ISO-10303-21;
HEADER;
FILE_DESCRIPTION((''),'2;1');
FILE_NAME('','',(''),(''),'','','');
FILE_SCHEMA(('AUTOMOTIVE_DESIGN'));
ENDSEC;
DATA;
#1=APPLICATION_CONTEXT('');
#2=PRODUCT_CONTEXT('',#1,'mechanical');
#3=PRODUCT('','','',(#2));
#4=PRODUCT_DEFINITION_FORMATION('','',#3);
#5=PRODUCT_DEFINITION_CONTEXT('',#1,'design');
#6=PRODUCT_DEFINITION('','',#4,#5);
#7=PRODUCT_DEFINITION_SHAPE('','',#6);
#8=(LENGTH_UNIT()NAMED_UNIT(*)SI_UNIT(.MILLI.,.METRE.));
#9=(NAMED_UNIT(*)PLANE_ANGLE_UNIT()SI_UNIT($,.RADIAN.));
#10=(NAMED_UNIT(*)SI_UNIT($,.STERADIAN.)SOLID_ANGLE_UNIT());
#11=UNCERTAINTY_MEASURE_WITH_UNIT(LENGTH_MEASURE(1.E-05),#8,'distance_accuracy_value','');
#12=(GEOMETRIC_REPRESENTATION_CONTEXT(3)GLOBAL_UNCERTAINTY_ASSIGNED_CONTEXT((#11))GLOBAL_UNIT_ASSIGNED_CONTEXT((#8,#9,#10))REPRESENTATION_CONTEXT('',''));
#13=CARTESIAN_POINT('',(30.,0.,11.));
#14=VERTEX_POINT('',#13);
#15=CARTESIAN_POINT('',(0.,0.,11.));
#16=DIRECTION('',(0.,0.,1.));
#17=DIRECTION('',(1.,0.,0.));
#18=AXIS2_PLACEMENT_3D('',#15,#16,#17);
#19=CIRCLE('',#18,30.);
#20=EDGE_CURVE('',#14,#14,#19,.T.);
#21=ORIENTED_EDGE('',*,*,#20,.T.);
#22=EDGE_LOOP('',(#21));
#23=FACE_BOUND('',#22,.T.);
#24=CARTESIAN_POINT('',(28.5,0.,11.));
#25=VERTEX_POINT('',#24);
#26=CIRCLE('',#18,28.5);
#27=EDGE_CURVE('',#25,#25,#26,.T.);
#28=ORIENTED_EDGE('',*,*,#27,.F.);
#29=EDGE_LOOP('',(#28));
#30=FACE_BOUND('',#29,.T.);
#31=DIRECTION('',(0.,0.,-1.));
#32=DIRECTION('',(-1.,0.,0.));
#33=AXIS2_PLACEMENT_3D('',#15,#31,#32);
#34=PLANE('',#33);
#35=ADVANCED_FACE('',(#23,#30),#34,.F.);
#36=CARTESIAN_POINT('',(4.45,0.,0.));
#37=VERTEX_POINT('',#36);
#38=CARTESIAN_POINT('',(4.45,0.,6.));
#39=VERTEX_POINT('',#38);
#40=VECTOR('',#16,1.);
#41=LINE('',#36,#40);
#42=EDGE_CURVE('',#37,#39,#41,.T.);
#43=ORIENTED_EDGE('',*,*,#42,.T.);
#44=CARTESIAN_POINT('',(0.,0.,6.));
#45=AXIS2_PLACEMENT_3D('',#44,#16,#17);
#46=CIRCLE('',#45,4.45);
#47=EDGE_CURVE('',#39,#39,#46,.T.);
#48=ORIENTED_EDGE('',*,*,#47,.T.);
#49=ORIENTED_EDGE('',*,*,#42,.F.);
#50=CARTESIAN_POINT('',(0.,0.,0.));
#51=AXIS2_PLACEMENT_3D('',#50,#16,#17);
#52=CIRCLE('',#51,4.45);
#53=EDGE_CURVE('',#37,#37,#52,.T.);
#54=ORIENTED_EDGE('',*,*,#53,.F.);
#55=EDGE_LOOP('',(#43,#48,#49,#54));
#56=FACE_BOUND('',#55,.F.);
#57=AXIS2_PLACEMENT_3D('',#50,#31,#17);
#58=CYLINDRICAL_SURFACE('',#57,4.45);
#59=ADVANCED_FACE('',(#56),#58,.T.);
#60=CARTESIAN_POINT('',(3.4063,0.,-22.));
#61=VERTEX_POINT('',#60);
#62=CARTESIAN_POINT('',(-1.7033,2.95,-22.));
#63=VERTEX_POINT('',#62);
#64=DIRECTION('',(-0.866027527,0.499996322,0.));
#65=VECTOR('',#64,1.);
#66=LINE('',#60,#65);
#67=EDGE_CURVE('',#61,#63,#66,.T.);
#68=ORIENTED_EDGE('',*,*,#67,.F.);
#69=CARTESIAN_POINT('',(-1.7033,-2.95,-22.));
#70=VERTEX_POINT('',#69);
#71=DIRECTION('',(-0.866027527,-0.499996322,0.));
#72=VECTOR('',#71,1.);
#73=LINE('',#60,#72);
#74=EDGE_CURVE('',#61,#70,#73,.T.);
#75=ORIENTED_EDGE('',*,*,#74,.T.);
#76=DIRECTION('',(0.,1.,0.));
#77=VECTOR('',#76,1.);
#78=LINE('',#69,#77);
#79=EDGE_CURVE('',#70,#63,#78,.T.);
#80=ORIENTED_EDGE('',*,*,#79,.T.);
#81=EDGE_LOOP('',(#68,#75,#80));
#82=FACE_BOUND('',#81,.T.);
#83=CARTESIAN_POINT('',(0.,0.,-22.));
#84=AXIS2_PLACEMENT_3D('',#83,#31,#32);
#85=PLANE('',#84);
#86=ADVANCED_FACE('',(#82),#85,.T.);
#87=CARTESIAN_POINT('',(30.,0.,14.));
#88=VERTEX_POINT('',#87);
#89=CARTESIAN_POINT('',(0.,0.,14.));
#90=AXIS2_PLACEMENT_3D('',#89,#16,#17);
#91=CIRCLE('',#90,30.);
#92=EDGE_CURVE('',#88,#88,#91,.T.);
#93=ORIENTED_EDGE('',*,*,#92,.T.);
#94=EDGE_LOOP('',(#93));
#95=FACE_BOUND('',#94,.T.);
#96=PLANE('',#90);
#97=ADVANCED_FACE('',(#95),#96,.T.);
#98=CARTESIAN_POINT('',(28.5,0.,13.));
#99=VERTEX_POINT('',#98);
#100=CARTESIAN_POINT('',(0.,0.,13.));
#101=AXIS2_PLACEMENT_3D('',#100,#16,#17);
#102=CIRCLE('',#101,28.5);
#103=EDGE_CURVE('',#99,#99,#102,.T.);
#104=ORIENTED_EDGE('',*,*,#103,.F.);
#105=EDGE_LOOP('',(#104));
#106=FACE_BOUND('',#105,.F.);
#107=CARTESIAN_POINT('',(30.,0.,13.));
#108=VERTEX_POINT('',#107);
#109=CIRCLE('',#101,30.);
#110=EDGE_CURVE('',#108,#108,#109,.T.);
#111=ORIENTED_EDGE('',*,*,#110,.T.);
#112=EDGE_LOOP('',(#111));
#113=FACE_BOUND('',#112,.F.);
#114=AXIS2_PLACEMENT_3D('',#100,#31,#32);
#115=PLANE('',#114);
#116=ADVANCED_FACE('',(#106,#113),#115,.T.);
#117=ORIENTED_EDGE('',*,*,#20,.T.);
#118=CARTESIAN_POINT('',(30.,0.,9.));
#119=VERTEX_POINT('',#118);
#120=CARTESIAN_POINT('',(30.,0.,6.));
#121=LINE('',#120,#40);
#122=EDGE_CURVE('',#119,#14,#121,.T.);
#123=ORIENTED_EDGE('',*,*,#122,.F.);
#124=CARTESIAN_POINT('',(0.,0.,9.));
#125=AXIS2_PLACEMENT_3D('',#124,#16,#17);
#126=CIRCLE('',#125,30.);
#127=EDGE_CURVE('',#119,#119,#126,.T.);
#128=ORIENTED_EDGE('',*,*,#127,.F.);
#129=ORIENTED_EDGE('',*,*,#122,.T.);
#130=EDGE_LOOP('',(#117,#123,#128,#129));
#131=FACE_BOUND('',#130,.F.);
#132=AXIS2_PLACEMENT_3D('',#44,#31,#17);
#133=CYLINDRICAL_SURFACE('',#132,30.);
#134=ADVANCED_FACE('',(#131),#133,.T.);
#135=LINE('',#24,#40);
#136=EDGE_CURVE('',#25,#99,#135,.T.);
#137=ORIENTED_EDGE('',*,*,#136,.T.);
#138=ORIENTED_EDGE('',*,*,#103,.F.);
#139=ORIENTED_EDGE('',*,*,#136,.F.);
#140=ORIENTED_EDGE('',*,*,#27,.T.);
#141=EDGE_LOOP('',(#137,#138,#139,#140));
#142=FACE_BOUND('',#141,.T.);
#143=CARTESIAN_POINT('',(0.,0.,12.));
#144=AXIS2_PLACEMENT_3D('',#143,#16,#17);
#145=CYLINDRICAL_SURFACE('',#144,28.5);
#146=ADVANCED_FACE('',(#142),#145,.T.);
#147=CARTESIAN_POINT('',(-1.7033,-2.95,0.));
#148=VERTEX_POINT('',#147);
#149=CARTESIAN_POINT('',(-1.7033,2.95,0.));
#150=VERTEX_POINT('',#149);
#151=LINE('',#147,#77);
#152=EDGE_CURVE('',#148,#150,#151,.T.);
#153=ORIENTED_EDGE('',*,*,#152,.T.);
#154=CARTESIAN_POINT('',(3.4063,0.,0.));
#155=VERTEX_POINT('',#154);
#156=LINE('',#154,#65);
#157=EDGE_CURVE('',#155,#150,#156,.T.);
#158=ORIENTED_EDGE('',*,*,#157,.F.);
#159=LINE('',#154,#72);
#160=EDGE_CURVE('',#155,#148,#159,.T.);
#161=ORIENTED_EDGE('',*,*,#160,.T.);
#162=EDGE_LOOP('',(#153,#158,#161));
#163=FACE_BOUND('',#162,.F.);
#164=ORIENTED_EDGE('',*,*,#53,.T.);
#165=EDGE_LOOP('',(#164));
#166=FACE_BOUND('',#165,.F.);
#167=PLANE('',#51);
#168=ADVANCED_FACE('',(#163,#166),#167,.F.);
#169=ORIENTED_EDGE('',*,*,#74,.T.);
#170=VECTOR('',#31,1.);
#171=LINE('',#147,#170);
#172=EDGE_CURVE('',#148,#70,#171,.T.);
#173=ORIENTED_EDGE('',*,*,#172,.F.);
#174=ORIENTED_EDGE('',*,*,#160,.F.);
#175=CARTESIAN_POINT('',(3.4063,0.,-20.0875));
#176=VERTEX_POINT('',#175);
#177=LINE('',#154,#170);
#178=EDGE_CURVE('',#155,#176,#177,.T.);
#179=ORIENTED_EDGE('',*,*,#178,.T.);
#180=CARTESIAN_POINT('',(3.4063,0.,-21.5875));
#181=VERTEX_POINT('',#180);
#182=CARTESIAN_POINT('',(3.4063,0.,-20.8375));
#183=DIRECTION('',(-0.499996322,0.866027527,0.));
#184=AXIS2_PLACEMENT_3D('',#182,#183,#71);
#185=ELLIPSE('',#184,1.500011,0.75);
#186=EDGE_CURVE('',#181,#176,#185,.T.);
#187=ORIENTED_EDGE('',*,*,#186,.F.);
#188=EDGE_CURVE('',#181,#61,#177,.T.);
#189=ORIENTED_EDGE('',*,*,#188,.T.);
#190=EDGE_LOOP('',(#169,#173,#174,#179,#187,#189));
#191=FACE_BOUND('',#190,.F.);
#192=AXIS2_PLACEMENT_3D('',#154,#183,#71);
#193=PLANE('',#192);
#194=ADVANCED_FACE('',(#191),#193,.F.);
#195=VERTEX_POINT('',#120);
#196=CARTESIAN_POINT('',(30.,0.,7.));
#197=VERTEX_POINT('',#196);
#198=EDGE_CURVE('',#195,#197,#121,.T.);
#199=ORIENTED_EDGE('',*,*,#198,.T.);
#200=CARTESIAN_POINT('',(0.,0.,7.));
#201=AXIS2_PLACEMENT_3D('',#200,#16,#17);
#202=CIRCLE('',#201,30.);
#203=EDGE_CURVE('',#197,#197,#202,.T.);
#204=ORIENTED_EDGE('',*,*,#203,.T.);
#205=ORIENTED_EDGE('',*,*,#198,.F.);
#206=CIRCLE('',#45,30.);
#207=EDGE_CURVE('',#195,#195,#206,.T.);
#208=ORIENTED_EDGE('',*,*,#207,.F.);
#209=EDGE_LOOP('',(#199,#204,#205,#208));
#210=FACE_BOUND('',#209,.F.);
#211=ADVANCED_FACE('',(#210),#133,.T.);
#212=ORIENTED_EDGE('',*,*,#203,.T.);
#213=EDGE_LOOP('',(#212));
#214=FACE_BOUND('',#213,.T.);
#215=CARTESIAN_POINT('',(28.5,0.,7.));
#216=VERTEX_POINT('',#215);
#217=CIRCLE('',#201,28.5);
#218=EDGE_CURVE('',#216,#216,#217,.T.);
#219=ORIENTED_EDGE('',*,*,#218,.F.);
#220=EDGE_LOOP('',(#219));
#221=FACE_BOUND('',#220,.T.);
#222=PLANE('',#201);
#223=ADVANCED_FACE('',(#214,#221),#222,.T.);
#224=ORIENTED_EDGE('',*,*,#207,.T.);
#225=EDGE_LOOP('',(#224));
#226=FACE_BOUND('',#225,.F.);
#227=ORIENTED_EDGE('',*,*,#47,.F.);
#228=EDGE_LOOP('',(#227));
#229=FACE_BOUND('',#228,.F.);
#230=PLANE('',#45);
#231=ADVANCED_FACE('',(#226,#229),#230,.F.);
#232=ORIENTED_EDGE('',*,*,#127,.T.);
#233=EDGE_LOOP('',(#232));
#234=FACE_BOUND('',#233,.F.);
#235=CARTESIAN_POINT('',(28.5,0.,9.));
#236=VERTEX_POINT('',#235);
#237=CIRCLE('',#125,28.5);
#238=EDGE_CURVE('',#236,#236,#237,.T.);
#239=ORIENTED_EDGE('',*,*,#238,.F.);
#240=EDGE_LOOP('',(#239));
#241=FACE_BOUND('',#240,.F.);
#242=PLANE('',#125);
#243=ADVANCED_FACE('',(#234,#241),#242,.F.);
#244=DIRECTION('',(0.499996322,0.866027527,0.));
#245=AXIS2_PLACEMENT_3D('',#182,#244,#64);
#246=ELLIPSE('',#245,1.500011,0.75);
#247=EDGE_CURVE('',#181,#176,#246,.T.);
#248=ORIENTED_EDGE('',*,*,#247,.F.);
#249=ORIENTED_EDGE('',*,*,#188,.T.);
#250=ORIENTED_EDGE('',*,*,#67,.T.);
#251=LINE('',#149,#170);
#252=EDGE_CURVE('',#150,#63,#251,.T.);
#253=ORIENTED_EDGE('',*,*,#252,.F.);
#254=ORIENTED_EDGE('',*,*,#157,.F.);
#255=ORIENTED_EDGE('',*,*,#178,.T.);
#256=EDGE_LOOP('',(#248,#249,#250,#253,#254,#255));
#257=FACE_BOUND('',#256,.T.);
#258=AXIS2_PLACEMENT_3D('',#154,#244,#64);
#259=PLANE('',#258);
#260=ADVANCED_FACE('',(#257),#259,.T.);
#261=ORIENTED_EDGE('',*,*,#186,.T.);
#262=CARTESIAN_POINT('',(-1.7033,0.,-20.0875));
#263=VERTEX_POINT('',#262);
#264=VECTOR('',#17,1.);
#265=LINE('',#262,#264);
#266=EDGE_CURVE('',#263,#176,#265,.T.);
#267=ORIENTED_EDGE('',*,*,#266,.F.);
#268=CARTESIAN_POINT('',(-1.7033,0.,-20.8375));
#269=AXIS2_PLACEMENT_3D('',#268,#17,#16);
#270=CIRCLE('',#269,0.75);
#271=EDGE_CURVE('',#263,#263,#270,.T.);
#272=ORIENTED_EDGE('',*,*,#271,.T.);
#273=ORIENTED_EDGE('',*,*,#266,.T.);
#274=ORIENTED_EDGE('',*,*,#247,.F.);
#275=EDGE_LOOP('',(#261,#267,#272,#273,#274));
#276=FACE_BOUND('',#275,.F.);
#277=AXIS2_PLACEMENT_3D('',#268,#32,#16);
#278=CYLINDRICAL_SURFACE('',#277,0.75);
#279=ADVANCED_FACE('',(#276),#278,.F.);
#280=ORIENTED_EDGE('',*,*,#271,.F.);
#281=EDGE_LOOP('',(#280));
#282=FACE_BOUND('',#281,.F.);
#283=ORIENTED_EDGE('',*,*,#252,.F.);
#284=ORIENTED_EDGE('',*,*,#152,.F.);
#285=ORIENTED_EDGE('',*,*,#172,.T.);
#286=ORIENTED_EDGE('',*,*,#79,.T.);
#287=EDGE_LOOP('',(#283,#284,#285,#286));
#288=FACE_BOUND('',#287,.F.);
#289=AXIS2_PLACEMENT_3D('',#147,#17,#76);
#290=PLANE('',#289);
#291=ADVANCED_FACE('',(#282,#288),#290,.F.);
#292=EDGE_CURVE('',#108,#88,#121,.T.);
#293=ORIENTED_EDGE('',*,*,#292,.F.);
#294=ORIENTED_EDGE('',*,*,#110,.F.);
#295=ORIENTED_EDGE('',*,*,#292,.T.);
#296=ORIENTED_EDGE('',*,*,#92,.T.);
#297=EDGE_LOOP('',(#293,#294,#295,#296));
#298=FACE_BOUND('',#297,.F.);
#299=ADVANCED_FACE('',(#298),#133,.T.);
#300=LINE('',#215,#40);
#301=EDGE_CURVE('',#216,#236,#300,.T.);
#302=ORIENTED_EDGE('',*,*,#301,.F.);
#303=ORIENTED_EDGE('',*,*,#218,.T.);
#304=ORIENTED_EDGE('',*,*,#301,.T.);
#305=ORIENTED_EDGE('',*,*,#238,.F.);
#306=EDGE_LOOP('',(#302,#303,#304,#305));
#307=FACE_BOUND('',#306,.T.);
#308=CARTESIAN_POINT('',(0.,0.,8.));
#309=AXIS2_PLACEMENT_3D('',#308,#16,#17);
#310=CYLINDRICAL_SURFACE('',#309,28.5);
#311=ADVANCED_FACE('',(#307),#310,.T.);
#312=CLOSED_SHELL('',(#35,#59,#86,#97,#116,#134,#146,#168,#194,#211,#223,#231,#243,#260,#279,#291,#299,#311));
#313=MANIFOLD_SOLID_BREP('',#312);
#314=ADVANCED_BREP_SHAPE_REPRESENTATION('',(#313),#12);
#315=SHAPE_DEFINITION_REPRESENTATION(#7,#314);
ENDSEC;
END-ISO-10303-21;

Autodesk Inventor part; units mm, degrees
ref_plane "YZ Plane" through (0, 0, 0) normal (1, 0, 0) x (0, 1, 0)
ref_plane "XZ Plane" through (0, 0, 0) normal (0, 1, 0) x (-1, 0, 0)
ref_plane "XY Plane" through (0, 0, 0) normal (0, 0, 1) x (1, 0, 0)
sketch "Sketch3" plane through (0, 0, 0) normal (0, 0, 1) x (1, 0, 0)
  circle A0 centre (0, 0) radius 4.45
  dimension "d11" = 8.9
extrude "Extrusion3" add sketch "Sketch3" along normal blind 6
sketch "Sketch4" plane through (0, 0, 6) normal (0, 0, 1) x (1, 0, 0)
  circle A0 centre (0, 0) radius 30
  dimension "d14" = 60
extrude "Extrusion4" add sketch "Sketch4" along normal blind 8
ref_plane "Work Plane2" through (0, 0, 8) normal (0, 0, 1) x (1, 0, 0)
ref_plane "Work Plane1" through (0, 0, 10) normal (0, 0, 1) x (1, 0, 0)
sketch "Sketch5" plane through (0, 0, 8) normal (0, 0, 1) x (1, 0, 0)
  circle A0 centre (0, 0) radius 28.5
  circle A1 centre (0, 0) radius 30
  dimension "d17" = 57
  dimension "d18" = 60
extrude "Extrusion5" cut sketch "Sketch5" along normal mid plane 2
mirror "Mirror1" about plane through (0, 0, 10) normal (0, 0, 1) of "Extrusion5"
sketch "Sketch7" plane through (0, 0, 0) normal (0, 0, -1) x (-1, 0, 0)
  line L0 (-3.4063, 0) -> (1.7033, -2.95)
  line L1 (1.7033, -2.95) -> (1.7033, 2.95)
  line L2 (-3.4063, 0) -> (1.7033, 2.95)
  dimension "d29" = 5.9
  dimension "d30" = 5.9
  dimension "d34" = 5.9
extrude "Extrusion7" add sketch "Sketch7" along normal blind 22
sketch "Sketch8" plane through (-1.7033, -2.95, 0) normal (-1, 0, 0) x (0, 0, 1)
  line L0 (0, 2.95) -> (-22, 2.95) projected
  circle A0 centre (-20.8375, 2.95) radius 0.75
  dimension "d37" = 1.5
extrude "Extrusion8" cut sketch "Sketch8" against normal blind 12
ref_plane "Work Plane3" through (0, 0, 10) normal (0, 0, 1) x (1, 0, 0)
ref_plane "Work Plane4" through (0, 0, 12) normal (0, 0, 1) x (1, 0, 0)
equation "\"d29\" = d34"
equation "\"d30\" = d34"
properties part number "PulleyAdapterLong" material "ABS Plastic"
